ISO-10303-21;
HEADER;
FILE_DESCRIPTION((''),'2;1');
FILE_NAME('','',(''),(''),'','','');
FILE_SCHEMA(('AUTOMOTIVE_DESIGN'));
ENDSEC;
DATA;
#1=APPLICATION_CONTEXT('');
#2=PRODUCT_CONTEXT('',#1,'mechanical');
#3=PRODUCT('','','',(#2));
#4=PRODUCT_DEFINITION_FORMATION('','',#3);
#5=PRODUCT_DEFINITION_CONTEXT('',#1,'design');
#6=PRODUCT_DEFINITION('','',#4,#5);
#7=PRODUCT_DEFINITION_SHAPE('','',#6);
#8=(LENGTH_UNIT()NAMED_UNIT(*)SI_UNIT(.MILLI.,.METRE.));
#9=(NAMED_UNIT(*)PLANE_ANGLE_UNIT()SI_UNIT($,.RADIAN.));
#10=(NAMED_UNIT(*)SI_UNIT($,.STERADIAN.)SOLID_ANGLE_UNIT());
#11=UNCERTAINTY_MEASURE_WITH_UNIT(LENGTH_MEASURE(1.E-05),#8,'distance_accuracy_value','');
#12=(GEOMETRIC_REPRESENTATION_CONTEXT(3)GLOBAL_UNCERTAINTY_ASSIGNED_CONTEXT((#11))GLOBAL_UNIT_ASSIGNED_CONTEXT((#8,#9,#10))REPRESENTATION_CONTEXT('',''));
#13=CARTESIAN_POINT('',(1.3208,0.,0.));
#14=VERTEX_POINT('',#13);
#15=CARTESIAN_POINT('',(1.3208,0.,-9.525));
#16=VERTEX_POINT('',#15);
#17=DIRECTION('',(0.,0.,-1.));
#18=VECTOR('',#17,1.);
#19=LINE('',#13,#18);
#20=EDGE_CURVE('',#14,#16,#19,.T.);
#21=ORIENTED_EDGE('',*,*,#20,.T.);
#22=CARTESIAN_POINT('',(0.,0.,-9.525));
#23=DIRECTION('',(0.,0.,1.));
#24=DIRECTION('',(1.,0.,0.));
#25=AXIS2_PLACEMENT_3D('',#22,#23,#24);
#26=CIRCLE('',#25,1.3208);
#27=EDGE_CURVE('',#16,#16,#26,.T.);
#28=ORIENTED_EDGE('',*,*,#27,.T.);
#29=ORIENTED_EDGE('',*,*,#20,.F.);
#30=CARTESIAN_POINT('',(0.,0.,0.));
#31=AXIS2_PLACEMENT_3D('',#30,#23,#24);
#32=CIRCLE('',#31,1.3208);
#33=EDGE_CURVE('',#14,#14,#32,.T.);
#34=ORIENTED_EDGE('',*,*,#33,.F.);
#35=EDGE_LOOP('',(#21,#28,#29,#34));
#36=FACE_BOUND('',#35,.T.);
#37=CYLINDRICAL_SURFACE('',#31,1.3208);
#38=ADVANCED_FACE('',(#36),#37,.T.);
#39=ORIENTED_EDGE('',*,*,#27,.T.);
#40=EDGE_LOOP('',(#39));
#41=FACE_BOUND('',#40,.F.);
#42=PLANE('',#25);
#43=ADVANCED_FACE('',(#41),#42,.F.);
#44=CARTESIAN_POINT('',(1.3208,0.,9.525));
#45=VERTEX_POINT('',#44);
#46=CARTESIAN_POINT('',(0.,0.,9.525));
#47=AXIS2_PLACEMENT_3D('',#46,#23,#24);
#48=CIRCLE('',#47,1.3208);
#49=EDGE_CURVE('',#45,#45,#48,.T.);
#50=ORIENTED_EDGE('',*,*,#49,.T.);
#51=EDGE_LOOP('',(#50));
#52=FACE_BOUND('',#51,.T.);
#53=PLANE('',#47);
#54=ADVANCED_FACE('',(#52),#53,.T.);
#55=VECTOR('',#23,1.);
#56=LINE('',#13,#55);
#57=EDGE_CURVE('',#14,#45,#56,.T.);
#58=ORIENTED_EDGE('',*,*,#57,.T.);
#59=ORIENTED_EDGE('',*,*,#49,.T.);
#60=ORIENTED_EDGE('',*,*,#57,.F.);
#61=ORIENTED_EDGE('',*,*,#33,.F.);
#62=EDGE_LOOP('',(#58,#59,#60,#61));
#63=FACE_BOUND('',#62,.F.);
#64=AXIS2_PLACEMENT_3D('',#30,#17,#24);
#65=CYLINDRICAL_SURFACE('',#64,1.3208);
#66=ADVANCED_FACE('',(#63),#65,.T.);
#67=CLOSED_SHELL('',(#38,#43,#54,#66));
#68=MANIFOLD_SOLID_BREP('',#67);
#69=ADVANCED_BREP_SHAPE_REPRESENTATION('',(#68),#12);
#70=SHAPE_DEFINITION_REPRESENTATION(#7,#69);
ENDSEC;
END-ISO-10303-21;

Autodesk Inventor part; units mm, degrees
ref_plane "YZ Plane" through (0, 0, 0) normal (1, 0, 0) x (0, 1, 0)
ref_plane "XZ Plane" through (0, 0, 0) normal (0, 1, 0) x (-1, 0, 0)
ref_plane "XY Plane" through (0, 0, 0) normal (0, 0, 1) x (1, 0, 0)
sketch "Sketch1" plane through (0, 0, 0) normal (0, 0, 1) x (1, 0, 0)
  circle A0 centre (0, 0) radius 1.3208
  dimension "d0" = 2.6416
extrude "Extrusion1" add sketch "Sketch1" along normal mid plane 19.05
properties part number "Pin" material "Steel, Mild"
